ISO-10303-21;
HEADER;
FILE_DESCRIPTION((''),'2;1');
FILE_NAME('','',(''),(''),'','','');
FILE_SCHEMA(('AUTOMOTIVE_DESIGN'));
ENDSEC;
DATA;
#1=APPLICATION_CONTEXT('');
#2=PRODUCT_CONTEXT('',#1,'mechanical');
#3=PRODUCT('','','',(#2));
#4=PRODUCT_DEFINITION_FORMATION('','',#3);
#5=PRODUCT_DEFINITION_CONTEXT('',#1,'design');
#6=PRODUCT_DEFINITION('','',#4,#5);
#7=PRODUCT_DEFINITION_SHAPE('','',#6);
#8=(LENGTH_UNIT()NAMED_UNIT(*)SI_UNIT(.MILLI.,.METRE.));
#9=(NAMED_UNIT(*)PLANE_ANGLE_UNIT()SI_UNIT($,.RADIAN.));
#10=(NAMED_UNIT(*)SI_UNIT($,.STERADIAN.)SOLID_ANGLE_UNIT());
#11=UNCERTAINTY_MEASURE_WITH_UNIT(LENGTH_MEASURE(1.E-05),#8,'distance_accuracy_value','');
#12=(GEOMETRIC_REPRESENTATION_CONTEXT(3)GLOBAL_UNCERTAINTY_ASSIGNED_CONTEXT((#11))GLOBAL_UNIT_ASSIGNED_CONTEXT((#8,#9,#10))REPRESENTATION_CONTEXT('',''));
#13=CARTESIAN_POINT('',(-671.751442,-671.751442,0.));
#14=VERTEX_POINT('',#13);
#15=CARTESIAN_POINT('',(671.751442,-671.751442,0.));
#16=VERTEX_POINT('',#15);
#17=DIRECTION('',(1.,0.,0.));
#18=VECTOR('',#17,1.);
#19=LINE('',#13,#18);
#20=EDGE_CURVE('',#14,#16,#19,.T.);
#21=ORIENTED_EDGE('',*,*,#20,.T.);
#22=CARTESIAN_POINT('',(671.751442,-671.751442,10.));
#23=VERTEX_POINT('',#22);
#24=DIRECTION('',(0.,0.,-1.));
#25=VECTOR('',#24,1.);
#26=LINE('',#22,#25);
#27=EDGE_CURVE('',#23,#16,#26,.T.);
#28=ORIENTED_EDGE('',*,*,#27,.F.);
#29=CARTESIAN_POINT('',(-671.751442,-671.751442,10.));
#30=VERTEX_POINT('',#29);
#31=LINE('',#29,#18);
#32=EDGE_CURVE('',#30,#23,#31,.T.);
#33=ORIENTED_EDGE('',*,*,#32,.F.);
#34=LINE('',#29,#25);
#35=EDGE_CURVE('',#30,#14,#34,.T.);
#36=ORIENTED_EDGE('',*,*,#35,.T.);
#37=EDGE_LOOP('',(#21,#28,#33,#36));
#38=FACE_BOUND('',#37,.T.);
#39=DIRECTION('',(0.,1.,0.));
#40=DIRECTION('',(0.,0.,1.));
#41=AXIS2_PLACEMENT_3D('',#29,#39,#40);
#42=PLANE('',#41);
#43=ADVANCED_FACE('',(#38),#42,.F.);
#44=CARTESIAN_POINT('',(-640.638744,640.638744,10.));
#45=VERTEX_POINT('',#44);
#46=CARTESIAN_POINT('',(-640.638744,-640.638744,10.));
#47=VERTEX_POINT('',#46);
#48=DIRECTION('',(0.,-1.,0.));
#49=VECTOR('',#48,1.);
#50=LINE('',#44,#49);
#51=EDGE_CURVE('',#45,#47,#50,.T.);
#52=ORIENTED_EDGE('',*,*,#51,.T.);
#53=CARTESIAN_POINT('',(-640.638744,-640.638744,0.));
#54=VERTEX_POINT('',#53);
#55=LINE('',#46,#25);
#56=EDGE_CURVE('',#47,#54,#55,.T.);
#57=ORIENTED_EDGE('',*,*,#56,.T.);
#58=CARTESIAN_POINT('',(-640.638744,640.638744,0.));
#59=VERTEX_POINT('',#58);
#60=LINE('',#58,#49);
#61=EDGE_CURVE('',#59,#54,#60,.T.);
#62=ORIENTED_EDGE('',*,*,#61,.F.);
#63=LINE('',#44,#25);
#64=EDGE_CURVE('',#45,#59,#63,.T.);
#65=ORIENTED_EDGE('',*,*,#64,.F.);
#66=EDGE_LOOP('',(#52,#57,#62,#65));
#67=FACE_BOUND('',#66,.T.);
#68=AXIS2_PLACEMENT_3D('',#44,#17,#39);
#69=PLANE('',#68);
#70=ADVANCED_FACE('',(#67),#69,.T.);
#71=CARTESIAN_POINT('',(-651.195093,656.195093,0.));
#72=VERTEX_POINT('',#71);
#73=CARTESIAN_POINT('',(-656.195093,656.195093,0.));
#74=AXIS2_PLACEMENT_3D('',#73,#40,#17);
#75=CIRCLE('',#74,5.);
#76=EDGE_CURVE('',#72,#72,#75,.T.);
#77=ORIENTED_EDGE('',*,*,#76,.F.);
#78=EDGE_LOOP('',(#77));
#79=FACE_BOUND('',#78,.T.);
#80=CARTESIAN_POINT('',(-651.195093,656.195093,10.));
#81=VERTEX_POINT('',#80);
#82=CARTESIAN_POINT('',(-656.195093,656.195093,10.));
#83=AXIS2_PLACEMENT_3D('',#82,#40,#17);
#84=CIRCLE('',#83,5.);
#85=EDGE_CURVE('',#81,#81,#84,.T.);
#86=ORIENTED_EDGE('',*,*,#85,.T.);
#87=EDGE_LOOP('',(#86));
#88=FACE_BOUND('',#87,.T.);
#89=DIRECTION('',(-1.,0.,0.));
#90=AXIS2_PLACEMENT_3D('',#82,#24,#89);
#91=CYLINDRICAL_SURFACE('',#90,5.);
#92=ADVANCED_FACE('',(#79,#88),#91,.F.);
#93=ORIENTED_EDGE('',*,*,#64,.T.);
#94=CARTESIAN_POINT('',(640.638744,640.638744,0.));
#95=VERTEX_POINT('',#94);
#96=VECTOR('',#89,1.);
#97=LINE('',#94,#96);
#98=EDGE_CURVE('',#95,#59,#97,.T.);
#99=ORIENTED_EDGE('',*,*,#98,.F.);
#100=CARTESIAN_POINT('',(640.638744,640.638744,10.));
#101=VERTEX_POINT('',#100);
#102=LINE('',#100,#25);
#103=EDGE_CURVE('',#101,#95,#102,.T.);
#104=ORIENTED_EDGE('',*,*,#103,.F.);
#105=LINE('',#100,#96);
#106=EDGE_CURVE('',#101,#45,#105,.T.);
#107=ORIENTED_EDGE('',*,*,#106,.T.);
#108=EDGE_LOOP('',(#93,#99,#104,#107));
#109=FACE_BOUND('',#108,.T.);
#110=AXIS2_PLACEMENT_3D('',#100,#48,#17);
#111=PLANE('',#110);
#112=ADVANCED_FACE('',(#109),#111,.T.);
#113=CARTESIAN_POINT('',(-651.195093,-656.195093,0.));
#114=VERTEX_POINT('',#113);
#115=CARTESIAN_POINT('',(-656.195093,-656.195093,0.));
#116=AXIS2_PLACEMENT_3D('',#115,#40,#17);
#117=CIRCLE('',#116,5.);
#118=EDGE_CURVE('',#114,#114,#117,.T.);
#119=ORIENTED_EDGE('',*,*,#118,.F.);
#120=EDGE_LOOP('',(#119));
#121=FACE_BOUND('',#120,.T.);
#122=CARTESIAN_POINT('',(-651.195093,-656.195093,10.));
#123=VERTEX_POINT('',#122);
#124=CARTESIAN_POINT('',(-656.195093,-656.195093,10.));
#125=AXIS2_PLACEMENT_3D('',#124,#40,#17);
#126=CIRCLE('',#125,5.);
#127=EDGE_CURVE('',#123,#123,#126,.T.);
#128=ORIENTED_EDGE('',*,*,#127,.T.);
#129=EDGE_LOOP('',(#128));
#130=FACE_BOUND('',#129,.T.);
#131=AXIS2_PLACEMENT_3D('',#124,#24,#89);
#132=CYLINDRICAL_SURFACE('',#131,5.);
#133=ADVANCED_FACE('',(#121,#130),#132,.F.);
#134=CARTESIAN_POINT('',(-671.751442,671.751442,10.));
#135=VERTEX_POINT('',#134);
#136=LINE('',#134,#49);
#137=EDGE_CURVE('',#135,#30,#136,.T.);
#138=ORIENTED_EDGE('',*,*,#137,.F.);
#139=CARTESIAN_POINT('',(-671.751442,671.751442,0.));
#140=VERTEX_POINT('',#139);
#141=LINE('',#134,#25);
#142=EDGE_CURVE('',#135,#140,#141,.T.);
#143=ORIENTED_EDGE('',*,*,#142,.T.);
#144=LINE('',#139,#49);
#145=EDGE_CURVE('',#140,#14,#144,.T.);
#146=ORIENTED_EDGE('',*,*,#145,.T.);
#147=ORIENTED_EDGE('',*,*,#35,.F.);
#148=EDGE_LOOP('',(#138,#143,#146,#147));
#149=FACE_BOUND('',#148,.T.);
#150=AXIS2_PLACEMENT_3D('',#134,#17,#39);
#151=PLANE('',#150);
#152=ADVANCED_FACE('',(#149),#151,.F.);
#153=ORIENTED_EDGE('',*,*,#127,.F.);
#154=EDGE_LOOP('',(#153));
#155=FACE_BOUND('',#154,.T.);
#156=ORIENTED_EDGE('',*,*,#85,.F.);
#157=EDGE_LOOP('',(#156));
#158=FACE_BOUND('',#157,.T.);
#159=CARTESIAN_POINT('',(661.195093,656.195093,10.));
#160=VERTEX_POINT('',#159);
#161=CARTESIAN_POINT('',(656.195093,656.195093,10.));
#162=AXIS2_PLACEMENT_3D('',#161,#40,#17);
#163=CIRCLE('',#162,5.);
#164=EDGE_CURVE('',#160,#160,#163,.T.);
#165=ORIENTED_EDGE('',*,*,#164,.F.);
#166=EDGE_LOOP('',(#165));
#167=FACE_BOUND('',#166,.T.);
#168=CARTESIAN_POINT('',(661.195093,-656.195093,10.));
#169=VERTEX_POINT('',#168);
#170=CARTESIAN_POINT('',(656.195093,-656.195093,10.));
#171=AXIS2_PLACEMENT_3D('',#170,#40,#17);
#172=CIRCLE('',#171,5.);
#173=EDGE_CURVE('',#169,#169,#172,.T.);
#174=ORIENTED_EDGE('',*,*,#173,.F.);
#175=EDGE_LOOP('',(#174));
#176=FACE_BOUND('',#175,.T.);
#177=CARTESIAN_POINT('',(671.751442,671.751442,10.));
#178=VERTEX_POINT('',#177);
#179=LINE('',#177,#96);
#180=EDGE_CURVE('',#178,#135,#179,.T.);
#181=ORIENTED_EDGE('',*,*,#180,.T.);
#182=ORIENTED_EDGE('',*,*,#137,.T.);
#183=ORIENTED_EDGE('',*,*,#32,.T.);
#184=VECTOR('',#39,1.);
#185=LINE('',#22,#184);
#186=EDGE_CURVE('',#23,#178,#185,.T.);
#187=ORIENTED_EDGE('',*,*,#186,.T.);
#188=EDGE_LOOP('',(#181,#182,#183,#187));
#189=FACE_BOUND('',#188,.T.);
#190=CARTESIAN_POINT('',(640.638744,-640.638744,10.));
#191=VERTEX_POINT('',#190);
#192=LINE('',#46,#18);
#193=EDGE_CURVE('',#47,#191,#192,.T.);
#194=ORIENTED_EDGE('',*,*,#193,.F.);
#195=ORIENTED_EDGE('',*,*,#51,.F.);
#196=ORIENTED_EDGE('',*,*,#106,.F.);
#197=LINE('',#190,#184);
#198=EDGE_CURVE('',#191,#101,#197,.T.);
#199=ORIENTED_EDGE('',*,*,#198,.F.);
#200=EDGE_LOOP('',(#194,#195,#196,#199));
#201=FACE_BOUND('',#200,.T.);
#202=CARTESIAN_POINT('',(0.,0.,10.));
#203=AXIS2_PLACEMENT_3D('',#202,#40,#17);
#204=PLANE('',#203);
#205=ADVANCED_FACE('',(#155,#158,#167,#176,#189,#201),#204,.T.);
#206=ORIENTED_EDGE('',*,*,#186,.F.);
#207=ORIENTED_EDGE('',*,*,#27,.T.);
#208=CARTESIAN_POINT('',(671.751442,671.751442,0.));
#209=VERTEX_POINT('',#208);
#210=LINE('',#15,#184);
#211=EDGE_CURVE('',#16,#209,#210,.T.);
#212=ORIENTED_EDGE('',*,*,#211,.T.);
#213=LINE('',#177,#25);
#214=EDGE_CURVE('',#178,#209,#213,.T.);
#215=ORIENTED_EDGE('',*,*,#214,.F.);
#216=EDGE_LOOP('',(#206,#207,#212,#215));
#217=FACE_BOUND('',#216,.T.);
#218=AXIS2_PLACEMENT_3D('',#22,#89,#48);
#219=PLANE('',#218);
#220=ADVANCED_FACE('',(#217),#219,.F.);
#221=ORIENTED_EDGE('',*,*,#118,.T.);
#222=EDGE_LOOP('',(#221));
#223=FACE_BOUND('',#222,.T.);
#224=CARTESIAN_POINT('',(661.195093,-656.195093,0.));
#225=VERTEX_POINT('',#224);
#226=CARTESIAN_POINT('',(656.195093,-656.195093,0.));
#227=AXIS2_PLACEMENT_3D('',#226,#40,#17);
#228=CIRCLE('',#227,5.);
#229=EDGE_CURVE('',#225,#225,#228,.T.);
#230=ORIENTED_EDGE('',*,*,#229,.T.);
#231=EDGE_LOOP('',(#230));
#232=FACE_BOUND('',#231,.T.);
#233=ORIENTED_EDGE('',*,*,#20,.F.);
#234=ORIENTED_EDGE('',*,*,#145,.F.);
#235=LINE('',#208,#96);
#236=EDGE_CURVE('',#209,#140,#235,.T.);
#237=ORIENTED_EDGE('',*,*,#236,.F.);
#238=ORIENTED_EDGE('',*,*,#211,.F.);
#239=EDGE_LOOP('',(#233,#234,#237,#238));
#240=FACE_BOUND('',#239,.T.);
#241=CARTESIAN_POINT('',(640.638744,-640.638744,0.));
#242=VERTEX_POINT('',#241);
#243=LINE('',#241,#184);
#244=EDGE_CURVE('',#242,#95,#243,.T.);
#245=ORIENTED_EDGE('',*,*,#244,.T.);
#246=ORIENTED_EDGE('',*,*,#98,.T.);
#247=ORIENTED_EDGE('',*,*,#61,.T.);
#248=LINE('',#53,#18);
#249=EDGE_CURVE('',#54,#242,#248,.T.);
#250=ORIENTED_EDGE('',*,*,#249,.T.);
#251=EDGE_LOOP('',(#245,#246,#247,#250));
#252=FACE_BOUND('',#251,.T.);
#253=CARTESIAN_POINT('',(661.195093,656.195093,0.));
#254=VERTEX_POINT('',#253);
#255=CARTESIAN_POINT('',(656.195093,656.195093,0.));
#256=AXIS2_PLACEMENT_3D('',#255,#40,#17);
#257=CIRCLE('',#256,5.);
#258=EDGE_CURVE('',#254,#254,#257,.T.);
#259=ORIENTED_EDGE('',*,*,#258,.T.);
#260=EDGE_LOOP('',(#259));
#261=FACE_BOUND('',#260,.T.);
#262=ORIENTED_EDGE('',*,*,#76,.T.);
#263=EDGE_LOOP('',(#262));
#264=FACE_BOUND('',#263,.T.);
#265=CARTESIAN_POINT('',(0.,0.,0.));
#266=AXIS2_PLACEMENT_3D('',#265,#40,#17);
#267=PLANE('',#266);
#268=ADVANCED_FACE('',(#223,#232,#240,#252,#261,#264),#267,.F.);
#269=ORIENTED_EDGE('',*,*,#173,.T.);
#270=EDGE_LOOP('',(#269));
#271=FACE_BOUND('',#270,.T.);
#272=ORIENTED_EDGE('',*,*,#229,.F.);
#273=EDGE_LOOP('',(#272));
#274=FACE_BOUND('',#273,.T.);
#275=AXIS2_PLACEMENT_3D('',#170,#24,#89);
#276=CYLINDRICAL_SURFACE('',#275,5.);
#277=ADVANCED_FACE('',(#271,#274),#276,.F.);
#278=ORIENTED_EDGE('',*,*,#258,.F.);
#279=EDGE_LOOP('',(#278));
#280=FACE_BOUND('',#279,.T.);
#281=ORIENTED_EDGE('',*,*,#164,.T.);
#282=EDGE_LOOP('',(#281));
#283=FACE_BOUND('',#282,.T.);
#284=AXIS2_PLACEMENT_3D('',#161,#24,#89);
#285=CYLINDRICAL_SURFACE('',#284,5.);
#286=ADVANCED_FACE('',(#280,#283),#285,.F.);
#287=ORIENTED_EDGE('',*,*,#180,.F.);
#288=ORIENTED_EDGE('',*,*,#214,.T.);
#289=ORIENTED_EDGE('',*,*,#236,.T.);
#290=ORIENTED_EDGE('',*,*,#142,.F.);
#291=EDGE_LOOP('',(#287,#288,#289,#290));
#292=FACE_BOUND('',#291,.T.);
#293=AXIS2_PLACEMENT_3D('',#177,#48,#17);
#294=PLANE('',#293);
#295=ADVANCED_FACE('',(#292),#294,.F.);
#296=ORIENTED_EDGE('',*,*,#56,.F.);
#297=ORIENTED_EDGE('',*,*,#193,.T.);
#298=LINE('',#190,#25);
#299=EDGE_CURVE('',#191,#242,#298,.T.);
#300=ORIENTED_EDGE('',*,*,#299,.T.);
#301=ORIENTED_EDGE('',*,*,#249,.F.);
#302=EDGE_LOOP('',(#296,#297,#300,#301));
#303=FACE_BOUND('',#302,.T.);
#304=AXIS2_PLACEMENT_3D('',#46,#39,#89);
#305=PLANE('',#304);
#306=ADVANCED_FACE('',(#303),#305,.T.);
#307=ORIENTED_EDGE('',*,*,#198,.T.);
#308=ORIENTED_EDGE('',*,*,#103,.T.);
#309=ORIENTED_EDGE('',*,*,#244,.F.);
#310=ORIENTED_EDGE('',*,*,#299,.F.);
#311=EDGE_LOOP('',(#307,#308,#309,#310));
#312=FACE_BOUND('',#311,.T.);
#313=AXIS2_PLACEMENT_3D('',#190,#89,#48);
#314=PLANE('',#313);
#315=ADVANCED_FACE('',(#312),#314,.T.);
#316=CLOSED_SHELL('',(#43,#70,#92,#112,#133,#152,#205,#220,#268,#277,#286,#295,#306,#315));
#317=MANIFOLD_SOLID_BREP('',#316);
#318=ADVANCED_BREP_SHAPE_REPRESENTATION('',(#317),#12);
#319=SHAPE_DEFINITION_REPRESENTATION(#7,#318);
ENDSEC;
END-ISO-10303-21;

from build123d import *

# Parameters (mm, degrees)
SKETCH1_W           = 1343.502884254
SKETCH1_H           = 1343.502884254
SKETCH1_R           = 5
SKETCH1_W_2         = 1281.27748751
SKETCH1_H_2         = 1281.27748751
BOSS_EXTRUDE1_DEPTH = 10


with BuildPart() as part:
    # Sketch1 → Boss-Extrude1 (new body)
    with BuildSketch(Plane.XY):
        Rectangle(SKETCH1_W, SKETCH1_H)
        with Locations((-656.195092941, 656.195092941)):
            Circle(SKETCH1_R, mode=Mode.SUBTRACT)
        with Locations((656.195092941, 656.195092941)):
            Circle(SKETCH1_R, mode=Mode.SUBTRACT)
        with Locations((656.195092941, -656.195092941)):
            Circle(SKETCH1_R, mode=Mode.SUBTRACT)
        with Locations((-656.195092941, -656.195092941)):
            Circle(SKETCH1_R, mode=Mode.SUBTRACT)
        Rectangle(SKETCH1_W_2, SKETCH1_H_2, mode=Mode.SUBTRACT)
    extrude(amount=BOSS_EXTRUDE1_DEPTH)


solid = part.part
